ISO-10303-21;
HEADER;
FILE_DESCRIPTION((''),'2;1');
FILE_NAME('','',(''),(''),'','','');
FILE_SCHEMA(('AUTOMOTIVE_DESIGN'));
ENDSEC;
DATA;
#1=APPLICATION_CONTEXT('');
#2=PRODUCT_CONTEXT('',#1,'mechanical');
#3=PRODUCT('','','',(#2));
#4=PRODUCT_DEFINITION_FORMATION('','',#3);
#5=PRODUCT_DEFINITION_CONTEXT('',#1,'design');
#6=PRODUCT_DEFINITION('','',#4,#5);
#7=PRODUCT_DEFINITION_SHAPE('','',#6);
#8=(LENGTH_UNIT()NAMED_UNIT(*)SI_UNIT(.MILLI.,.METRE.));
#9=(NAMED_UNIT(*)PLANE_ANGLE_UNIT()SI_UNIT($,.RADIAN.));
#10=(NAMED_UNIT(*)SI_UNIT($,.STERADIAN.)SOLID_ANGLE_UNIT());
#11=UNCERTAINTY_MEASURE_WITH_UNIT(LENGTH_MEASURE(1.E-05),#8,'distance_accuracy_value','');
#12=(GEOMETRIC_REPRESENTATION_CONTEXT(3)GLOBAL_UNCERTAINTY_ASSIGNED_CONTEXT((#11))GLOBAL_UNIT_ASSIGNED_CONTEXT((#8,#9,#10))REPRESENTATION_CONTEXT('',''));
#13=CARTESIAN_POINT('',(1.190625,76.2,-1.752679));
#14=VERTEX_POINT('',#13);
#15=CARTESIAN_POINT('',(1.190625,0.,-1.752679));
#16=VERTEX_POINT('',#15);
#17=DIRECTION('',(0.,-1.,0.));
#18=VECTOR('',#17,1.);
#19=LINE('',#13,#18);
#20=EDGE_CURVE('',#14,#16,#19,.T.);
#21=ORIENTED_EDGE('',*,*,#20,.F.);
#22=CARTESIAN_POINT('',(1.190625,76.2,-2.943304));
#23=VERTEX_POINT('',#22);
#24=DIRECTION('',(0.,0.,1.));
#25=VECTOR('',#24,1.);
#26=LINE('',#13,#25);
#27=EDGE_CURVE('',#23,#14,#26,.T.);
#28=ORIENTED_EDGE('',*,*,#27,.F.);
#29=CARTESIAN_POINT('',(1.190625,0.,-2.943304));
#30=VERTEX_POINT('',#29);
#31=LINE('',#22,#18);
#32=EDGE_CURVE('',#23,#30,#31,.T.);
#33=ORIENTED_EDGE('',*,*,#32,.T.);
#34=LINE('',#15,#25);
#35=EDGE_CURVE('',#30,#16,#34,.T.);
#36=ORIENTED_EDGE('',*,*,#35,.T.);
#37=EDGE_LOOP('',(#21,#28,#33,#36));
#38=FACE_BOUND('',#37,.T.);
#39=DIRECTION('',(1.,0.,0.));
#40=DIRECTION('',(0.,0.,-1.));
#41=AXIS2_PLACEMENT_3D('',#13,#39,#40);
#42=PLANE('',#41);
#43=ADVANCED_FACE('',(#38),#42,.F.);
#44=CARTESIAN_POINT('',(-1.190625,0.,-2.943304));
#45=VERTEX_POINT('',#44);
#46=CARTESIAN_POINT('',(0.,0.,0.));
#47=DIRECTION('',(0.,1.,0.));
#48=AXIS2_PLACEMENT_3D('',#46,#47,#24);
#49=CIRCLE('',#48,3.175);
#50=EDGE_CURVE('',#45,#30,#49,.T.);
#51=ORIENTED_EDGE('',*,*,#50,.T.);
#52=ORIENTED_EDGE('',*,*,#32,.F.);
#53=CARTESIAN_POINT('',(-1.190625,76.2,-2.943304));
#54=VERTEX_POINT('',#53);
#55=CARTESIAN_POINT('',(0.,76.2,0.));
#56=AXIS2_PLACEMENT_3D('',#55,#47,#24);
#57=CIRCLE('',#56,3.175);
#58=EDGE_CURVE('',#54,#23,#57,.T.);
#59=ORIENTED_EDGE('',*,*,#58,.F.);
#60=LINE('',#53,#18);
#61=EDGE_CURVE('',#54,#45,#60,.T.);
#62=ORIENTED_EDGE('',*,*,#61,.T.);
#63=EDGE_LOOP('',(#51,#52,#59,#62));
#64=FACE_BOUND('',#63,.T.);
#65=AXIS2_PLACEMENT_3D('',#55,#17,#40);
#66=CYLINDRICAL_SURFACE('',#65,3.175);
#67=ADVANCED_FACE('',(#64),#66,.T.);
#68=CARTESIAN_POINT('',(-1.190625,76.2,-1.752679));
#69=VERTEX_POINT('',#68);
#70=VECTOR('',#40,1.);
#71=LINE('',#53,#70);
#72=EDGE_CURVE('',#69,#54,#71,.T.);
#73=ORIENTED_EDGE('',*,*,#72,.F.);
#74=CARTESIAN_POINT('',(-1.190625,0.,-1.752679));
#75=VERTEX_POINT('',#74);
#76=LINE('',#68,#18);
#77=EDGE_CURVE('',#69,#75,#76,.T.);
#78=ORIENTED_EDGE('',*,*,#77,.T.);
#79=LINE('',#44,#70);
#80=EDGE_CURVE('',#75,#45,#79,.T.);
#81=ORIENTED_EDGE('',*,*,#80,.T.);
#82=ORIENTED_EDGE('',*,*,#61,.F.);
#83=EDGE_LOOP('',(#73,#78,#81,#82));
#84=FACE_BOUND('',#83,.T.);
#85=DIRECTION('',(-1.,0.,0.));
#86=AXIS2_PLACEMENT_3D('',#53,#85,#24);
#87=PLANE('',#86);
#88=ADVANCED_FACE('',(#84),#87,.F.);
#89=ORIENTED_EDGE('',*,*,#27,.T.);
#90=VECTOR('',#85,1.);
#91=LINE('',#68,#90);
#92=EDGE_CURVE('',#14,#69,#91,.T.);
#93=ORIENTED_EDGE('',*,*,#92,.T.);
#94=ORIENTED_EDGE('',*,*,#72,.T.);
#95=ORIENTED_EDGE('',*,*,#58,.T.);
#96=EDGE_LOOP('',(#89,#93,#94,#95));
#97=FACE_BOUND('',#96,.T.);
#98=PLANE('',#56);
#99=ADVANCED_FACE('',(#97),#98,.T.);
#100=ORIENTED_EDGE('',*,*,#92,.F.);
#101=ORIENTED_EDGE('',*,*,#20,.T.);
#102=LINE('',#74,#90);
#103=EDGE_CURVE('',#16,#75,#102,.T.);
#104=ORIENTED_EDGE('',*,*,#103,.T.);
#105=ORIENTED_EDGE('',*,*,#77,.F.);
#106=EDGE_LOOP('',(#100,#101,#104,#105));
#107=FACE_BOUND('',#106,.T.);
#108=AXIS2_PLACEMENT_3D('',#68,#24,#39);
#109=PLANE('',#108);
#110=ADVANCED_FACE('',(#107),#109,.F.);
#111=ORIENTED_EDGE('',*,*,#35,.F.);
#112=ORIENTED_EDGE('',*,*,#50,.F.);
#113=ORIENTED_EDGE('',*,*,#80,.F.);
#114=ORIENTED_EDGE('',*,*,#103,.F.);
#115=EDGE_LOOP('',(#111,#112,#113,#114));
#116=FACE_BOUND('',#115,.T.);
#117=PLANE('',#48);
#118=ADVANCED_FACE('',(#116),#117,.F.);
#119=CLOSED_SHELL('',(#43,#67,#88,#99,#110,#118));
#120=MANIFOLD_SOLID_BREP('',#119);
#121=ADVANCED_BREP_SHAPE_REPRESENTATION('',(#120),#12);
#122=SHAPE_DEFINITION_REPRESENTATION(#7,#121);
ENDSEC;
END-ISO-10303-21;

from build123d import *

# Parameters (mm, degrees)
BOSS_EXTRUDE1_DEPTH = 76.2


with BuildPart() as part:
    # Sketch1 → Boss-Extrude1 (new body)
    with BuildSketch(Plane(origin=(0, 0, 0), x_dir=(1, 0, 0), z_dir=(0, 1, 0))):
        with BuildLine():
            Line((-1.190625, 2.943303775), (-1.190625, 1.752678775))
            Line((-1.190625, 1.752678775), (1.190625, 1.752678775))
            Line((1.190625, 1.752678775), (1.190625, 2.943303775))
            ThreePointArc((1.190625, 2.943303775), (0, -3.175), (-1.190625, 2.943303775))
        make_face()
    extrude(amount=BOSS_EXTRUDE1_DEPTH)


solid = part.part
